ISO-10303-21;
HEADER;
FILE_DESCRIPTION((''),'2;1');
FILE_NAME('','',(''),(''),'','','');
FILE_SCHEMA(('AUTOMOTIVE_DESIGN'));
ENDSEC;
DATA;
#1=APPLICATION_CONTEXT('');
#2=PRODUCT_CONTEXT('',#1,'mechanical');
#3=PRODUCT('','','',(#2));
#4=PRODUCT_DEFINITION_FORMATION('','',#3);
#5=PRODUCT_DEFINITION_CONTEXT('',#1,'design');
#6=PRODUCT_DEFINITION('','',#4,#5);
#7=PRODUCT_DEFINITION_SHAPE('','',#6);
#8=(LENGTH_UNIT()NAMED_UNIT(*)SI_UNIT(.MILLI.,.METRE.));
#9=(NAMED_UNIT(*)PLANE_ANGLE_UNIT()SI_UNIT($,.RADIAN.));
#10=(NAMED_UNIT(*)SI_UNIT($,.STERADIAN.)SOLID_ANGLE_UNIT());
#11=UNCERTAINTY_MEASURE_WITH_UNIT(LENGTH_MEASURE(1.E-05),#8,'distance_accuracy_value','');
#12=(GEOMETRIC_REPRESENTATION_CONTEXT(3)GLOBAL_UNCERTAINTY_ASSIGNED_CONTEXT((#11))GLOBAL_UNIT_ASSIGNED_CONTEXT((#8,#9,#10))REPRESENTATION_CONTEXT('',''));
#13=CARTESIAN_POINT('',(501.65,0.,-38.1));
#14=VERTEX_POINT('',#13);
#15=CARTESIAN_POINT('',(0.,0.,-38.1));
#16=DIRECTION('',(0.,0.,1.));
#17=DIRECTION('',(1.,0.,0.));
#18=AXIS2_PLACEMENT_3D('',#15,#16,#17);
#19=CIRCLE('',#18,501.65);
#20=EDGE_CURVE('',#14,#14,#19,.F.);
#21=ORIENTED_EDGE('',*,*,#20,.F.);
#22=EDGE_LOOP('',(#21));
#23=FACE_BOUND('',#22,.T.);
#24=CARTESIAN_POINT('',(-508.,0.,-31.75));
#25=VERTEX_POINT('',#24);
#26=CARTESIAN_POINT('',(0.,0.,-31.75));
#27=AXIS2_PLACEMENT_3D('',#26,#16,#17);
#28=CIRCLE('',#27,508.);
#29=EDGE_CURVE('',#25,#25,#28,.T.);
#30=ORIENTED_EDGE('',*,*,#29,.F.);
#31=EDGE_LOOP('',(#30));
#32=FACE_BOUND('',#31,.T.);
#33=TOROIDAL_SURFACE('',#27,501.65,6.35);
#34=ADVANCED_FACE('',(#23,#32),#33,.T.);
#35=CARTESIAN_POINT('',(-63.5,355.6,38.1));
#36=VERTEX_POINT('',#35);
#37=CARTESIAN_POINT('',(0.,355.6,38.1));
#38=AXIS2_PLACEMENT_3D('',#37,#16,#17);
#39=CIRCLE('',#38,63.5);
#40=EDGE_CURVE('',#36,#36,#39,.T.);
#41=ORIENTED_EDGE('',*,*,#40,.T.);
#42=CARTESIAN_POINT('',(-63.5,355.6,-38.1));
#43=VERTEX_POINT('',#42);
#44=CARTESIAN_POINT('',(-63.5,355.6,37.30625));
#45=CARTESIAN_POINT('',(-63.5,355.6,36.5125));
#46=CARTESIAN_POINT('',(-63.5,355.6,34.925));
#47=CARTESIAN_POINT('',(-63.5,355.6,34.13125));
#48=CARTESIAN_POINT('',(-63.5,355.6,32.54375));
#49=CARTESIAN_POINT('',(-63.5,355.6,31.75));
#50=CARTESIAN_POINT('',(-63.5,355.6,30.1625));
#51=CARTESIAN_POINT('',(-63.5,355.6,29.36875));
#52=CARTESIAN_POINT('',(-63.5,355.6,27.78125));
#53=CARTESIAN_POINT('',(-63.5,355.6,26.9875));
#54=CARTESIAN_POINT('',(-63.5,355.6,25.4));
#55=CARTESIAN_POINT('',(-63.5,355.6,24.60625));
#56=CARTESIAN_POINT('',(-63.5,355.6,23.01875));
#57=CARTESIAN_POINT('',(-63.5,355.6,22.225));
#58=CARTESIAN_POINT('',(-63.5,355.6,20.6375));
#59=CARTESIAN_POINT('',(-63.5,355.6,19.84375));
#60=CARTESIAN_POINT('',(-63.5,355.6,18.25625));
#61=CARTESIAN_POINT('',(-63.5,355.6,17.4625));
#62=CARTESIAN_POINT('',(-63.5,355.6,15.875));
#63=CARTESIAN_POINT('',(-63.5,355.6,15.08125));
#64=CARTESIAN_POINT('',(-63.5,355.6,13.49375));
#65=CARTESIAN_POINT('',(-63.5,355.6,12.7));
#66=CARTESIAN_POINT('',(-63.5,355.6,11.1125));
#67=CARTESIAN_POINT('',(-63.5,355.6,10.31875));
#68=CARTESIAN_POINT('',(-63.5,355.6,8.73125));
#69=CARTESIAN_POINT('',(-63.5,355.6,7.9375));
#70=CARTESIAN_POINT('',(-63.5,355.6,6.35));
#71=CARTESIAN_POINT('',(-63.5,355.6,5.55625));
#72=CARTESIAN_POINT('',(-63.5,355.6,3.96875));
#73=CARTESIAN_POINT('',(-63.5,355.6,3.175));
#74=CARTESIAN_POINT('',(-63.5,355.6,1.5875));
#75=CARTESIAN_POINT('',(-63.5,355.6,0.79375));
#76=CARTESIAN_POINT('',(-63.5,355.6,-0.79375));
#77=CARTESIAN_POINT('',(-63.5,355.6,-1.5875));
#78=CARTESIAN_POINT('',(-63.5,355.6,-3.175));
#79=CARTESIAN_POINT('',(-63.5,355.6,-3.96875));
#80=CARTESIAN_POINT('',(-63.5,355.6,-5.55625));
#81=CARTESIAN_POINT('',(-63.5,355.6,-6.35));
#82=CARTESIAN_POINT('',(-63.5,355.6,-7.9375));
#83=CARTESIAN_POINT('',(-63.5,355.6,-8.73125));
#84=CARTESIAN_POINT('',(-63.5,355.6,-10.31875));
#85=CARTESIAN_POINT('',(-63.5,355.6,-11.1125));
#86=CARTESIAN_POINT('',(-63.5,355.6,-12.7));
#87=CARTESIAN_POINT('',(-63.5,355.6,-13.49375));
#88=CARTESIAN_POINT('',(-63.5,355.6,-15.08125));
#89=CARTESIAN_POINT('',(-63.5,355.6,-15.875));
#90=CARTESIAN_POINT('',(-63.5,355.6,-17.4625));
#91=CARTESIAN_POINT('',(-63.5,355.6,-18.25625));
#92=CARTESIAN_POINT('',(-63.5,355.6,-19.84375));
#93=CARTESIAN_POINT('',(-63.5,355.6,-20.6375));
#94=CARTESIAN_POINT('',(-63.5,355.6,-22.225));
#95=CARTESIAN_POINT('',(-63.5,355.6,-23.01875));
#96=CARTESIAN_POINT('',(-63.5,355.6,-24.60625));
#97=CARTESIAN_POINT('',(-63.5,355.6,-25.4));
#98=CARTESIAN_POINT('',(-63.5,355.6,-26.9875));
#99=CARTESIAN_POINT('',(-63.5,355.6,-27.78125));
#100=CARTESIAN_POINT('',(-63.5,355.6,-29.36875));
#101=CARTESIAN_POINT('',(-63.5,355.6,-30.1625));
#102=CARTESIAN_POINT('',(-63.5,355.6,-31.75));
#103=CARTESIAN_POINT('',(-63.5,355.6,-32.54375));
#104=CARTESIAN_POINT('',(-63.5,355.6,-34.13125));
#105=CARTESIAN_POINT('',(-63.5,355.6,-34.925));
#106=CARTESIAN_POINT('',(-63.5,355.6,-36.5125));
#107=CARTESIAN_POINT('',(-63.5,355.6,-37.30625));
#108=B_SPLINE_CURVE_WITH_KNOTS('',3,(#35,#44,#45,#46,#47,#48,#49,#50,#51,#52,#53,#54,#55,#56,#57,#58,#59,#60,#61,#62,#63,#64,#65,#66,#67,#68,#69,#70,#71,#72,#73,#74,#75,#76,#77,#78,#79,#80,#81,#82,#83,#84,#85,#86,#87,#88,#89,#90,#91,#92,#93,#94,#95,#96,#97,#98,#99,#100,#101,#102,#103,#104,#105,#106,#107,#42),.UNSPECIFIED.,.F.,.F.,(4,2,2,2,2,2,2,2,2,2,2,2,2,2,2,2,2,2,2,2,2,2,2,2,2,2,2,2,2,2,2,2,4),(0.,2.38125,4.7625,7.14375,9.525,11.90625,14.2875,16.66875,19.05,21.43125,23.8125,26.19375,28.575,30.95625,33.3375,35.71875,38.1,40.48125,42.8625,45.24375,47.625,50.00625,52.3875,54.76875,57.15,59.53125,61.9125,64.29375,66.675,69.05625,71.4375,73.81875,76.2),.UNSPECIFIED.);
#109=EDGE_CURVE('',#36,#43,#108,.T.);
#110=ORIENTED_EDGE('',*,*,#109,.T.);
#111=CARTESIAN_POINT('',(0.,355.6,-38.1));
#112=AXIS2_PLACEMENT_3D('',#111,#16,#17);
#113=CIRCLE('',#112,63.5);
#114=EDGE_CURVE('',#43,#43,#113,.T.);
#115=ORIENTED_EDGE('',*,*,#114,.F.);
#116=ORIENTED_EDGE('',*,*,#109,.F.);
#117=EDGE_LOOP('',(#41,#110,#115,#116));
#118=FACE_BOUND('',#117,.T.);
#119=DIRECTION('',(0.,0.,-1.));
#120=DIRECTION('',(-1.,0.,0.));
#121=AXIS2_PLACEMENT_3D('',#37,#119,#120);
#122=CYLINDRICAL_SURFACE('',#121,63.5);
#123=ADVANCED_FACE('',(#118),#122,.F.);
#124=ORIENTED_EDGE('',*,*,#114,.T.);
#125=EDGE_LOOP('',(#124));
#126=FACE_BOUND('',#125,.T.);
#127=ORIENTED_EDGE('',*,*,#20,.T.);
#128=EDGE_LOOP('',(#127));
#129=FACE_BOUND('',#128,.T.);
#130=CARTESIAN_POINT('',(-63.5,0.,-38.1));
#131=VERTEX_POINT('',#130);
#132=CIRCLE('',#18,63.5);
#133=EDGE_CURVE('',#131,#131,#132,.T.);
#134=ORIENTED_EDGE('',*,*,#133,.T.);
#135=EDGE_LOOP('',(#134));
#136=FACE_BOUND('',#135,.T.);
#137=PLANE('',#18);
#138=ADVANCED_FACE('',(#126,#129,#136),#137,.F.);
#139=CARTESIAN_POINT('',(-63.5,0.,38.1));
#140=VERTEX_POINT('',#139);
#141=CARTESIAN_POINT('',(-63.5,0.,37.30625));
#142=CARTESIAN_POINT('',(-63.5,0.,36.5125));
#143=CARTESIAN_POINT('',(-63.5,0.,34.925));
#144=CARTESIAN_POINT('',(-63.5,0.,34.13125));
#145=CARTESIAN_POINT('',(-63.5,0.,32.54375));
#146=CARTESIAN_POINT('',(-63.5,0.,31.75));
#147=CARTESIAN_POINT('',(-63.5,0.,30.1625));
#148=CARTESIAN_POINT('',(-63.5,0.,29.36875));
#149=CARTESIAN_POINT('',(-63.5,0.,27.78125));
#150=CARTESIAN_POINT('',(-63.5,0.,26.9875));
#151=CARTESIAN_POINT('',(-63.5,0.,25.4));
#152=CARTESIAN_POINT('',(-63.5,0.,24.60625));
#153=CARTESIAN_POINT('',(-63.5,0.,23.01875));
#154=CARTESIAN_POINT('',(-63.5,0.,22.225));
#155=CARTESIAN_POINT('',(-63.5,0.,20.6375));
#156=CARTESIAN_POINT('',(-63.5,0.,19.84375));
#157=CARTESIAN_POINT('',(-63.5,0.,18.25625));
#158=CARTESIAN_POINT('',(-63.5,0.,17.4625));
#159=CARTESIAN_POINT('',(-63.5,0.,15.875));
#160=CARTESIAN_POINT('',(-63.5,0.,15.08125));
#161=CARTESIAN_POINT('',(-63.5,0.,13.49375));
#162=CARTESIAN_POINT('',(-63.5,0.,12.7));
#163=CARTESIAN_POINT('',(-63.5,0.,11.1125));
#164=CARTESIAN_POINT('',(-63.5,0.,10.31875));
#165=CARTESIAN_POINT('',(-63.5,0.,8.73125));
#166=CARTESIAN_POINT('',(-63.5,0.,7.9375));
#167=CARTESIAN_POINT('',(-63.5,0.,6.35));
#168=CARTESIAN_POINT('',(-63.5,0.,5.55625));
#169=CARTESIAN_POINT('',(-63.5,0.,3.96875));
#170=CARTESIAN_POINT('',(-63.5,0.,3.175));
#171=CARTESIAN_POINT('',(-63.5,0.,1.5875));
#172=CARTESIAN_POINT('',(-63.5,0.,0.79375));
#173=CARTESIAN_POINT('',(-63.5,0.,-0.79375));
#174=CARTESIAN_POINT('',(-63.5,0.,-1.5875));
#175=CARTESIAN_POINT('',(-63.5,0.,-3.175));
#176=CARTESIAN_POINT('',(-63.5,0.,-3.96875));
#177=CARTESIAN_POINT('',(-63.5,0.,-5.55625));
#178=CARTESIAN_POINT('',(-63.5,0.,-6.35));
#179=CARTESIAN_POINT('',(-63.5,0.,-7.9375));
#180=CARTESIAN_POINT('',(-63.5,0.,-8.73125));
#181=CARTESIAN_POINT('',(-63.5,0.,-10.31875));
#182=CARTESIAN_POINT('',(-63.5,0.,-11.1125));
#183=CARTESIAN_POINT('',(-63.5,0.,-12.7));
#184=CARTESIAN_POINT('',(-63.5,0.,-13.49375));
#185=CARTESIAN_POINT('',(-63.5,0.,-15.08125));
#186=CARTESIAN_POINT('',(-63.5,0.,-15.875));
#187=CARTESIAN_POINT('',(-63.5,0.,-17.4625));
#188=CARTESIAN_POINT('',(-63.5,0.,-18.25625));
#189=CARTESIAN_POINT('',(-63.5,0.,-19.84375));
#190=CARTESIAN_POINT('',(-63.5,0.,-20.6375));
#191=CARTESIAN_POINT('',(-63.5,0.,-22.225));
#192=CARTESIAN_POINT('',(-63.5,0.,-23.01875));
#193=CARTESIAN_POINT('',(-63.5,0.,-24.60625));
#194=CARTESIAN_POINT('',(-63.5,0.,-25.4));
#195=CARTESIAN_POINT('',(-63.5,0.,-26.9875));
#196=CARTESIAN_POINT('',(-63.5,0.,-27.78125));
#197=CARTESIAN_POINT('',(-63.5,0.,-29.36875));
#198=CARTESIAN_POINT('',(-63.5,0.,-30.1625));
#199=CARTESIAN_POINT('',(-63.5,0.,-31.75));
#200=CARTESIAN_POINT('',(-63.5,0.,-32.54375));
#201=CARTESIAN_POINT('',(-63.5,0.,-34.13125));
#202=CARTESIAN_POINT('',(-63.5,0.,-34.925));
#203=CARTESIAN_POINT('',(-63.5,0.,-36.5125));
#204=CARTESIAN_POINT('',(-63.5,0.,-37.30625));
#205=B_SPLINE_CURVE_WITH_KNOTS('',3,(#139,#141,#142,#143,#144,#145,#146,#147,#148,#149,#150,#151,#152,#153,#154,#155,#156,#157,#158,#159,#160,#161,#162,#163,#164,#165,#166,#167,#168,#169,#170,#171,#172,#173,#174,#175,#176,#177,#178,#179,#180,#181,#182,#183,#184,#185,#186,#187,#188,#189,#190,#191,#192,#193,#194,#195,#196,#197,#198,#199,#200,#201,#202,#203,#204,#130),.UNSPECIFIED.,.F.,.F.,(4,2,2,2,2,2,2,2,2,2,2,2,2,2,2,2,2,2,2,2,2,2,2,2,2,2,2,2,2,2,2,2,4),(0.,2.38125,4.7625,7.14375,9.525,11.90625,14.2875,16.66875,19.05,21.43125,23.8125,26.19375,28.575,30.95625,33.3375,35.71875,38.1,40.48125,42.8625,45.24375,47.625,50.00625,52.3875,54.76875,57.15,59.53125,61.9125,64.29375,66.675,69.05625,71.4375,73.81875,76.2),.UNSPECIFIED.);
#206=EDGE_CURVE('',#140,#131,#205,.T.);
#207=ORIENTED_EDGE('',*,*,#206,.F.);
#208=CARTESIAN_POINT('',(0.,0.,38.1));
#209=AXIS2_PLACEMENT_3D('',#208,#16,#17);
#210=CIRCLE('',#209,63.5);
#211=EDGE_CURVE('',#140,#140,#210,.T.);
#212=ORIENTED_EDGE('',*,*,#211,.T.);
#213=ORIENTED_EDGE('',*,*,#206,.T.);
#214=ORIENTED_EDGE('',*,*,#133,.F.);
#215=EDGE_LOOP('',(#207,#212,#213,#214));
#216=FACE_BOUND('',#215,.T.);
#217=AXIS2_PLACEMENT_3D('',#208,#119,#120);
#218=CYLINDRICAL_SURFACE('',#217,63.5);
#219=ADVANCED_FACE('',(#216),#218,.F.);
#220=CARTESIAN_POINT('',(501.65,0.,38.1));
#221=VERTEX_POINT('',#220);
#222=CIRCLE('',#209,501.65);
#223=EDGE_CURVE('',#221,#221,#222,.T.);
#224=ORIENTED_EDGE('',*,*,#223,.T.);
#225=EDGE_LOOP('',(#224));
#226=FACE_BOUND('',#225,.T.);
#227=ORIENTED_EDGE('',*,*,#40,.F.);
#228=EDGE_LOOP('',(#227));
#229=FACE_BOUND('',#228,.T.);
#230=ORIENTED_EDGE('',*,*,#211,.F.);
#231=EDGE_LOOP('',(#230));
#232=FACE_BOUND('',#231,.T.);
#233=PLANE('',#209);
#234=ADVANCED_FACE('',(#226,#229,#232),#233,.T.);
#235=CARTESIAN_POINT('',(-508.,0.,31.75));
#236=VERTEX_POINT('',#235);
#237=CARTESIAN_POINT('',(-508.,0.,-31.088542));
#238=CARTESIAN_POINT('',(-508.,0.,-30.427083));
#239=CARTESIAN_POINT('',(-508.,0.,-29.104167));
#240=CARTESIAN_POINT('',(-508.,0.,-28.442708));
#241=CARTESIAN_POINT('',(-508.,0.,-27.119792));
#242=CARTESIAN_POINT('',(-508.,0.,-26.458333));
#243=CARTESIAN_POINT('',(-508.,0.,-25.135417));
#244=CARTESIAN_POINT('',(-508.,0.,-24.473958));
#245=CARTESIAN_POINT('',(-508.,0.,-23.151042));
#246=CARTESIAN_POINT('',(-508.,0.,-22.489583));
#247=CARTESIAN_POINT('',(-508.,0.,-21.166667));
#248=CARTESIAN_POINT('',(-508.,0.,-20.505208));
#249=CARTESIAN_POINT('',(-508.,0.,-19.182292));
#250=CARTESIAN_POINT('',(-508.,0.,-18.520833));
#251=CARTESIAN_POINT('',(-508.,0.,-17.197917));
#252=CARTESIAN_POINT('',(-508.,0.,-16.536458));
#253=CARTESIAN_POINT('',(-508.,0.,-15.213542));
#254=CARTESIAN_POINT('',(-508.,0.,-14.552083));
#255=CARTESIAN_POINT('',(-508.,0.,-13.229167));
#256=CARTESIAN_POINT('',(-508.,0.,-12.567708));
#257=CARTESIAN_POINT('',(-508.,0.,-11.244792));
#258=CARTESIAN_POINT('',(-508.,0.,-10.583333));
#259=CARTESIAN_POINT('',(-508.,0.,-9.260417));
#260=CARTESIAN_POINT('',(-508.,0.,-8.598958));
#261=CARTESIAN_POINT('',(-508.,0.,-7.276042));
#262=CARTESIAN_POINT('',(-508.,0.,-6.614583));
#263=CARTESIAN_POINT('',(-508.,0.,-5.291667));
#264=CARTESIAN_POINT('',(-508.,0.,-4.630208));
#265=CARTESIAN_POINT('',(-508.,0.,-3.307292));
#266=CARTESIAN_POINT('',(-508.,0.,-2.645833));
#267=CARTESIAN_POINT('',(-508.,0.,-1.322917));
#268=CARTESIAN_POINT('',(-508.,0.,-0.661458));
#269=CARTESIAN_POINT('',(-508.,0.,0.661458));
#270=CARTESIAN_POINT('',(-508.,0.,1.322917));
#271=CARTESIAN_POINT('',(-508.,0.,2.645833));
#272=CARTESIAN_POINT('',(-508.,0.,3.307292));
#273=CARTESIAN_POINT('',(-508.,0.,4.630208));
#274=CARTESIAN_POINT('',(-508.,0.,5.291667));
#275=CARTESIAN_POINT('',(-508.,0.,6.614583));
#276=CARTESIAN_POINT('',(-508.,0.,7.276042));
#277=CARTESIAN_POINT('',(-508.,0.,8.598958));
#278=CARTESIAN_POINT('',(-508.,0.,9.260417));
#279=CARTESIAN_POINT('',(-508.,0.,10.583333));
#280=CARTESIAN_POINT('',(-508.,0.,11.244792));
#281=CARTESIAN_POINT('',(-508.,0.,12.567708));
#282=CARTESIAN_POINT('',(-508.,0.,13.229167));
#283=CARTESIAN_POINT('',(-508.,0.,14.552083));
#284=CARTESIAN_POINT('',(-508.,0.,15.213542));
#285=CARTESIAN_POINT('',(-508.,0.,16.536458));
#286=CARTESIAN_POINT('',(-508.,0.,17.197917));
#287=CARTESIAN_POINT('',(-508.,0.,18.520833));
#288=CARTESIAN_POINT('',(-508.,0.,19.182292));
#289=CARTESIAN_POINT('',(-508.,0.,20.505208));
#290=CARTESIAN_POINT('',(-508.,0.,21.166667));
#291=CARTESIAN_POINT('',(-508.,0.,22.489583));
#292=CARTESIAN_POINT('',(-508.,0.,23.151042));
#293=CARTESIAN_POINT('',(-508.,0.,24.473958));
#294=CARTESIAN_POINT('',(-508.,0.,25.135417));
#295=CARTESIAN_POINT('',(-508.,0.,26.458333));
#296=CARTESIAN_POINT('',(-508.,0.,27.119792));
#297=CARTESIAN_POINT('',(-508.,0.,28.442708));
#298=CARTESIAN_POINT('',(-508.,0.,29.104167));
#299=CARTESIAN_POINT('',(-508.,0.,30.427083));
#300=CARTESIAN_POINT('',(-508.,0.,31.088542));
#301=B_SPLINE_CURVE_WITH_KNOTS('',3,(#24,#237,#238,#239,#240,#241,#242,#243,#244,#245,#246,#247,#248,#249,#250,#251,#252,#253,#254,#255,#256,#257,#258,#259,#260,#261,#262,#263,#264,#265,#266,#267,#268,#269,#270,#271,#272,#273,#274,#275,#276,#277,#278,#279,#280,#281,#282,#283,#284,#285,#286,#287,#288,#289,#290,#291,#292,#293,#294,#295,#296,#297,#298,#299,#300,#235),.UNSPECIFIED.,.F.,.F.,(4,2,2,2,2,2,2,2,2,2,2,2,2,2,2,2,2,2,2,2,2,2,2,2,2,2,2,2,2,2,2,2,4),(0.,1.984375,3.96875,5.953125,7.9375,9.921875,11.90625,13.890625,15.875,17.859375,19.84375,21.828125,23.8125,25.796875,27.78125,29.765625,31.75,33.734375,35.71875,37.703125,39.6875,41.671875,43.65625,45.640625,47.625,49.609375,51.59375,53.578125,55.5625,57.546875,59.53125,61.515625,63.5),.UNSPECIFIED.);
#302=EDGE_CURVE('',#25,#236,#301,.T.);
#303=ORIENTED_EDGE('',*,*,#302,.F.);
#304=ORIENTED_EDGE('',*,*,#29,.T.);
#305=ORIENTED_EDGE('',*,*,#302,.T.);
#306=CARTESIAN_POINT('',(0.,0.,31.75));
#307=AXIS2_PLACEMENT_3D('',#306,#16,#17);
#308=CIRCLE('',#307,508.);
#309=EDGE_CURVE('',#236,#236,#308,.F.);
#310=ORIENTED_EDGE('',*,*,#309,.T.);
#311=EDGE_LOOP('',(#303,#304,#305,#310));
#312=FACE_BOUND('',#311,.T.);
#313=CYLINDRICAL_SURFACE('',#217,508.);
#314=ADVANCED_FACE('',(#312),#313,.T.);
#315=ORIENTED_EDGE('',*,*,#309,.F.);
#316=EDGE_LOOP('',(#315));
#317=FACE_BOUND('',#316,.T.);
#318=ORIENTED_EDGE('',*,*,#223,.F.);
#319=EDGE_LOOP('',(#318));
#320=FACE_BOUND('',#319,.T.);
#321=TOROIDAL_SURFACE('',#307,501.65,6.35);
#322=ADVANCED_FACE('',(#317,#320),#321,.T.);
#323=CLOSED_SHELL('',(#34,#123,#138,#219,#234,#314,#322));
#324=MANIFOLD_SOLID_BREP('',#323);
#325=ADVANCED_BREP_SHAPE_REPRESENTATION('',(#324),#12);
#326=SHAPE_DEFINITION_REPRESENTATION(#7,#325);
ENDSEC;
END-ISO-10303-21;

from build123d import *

# Parameters (mm, degrees)
SKETCH1_R           = 508
SKETCH1_R_2         = 63.5
BOSS_EXTRUDE1_DEPTH = 38.1
FILLET1_R           = 6.35


with BuildPart() as part:
    # Sketch1 → Boss-Extrude1 (new, symmetric)
    with BuildSketch(Plane.XY):
        with Locations(Location((0, 0, 0), (0, 0, 180))):
            Circle(SKETCH1_R)
        with Locations(Location((0, 0, 0), (0, 0, 180))):
            Circle(SKETCH1_R_2, mode=Mode.SUBTRACT)
        with Locations(Location((0, 355.6, 0), (0, 0, 180))):
            Circle(SKETCH1_R_2, mode=Mode.SUBTRACT)
    extrude(amount=BOSS_EXTRUDE1_DEPTH, both=True)

    # Fillet1
    fillet1_edges = [part.edges().sort_by_distance(p)[0] for p in [
        (508, 0, -38.1),
        (508, 0, 38.1),
    ]]
    fillet(fillet1_edges, radius=FILLET1_R)


solid = part.part
